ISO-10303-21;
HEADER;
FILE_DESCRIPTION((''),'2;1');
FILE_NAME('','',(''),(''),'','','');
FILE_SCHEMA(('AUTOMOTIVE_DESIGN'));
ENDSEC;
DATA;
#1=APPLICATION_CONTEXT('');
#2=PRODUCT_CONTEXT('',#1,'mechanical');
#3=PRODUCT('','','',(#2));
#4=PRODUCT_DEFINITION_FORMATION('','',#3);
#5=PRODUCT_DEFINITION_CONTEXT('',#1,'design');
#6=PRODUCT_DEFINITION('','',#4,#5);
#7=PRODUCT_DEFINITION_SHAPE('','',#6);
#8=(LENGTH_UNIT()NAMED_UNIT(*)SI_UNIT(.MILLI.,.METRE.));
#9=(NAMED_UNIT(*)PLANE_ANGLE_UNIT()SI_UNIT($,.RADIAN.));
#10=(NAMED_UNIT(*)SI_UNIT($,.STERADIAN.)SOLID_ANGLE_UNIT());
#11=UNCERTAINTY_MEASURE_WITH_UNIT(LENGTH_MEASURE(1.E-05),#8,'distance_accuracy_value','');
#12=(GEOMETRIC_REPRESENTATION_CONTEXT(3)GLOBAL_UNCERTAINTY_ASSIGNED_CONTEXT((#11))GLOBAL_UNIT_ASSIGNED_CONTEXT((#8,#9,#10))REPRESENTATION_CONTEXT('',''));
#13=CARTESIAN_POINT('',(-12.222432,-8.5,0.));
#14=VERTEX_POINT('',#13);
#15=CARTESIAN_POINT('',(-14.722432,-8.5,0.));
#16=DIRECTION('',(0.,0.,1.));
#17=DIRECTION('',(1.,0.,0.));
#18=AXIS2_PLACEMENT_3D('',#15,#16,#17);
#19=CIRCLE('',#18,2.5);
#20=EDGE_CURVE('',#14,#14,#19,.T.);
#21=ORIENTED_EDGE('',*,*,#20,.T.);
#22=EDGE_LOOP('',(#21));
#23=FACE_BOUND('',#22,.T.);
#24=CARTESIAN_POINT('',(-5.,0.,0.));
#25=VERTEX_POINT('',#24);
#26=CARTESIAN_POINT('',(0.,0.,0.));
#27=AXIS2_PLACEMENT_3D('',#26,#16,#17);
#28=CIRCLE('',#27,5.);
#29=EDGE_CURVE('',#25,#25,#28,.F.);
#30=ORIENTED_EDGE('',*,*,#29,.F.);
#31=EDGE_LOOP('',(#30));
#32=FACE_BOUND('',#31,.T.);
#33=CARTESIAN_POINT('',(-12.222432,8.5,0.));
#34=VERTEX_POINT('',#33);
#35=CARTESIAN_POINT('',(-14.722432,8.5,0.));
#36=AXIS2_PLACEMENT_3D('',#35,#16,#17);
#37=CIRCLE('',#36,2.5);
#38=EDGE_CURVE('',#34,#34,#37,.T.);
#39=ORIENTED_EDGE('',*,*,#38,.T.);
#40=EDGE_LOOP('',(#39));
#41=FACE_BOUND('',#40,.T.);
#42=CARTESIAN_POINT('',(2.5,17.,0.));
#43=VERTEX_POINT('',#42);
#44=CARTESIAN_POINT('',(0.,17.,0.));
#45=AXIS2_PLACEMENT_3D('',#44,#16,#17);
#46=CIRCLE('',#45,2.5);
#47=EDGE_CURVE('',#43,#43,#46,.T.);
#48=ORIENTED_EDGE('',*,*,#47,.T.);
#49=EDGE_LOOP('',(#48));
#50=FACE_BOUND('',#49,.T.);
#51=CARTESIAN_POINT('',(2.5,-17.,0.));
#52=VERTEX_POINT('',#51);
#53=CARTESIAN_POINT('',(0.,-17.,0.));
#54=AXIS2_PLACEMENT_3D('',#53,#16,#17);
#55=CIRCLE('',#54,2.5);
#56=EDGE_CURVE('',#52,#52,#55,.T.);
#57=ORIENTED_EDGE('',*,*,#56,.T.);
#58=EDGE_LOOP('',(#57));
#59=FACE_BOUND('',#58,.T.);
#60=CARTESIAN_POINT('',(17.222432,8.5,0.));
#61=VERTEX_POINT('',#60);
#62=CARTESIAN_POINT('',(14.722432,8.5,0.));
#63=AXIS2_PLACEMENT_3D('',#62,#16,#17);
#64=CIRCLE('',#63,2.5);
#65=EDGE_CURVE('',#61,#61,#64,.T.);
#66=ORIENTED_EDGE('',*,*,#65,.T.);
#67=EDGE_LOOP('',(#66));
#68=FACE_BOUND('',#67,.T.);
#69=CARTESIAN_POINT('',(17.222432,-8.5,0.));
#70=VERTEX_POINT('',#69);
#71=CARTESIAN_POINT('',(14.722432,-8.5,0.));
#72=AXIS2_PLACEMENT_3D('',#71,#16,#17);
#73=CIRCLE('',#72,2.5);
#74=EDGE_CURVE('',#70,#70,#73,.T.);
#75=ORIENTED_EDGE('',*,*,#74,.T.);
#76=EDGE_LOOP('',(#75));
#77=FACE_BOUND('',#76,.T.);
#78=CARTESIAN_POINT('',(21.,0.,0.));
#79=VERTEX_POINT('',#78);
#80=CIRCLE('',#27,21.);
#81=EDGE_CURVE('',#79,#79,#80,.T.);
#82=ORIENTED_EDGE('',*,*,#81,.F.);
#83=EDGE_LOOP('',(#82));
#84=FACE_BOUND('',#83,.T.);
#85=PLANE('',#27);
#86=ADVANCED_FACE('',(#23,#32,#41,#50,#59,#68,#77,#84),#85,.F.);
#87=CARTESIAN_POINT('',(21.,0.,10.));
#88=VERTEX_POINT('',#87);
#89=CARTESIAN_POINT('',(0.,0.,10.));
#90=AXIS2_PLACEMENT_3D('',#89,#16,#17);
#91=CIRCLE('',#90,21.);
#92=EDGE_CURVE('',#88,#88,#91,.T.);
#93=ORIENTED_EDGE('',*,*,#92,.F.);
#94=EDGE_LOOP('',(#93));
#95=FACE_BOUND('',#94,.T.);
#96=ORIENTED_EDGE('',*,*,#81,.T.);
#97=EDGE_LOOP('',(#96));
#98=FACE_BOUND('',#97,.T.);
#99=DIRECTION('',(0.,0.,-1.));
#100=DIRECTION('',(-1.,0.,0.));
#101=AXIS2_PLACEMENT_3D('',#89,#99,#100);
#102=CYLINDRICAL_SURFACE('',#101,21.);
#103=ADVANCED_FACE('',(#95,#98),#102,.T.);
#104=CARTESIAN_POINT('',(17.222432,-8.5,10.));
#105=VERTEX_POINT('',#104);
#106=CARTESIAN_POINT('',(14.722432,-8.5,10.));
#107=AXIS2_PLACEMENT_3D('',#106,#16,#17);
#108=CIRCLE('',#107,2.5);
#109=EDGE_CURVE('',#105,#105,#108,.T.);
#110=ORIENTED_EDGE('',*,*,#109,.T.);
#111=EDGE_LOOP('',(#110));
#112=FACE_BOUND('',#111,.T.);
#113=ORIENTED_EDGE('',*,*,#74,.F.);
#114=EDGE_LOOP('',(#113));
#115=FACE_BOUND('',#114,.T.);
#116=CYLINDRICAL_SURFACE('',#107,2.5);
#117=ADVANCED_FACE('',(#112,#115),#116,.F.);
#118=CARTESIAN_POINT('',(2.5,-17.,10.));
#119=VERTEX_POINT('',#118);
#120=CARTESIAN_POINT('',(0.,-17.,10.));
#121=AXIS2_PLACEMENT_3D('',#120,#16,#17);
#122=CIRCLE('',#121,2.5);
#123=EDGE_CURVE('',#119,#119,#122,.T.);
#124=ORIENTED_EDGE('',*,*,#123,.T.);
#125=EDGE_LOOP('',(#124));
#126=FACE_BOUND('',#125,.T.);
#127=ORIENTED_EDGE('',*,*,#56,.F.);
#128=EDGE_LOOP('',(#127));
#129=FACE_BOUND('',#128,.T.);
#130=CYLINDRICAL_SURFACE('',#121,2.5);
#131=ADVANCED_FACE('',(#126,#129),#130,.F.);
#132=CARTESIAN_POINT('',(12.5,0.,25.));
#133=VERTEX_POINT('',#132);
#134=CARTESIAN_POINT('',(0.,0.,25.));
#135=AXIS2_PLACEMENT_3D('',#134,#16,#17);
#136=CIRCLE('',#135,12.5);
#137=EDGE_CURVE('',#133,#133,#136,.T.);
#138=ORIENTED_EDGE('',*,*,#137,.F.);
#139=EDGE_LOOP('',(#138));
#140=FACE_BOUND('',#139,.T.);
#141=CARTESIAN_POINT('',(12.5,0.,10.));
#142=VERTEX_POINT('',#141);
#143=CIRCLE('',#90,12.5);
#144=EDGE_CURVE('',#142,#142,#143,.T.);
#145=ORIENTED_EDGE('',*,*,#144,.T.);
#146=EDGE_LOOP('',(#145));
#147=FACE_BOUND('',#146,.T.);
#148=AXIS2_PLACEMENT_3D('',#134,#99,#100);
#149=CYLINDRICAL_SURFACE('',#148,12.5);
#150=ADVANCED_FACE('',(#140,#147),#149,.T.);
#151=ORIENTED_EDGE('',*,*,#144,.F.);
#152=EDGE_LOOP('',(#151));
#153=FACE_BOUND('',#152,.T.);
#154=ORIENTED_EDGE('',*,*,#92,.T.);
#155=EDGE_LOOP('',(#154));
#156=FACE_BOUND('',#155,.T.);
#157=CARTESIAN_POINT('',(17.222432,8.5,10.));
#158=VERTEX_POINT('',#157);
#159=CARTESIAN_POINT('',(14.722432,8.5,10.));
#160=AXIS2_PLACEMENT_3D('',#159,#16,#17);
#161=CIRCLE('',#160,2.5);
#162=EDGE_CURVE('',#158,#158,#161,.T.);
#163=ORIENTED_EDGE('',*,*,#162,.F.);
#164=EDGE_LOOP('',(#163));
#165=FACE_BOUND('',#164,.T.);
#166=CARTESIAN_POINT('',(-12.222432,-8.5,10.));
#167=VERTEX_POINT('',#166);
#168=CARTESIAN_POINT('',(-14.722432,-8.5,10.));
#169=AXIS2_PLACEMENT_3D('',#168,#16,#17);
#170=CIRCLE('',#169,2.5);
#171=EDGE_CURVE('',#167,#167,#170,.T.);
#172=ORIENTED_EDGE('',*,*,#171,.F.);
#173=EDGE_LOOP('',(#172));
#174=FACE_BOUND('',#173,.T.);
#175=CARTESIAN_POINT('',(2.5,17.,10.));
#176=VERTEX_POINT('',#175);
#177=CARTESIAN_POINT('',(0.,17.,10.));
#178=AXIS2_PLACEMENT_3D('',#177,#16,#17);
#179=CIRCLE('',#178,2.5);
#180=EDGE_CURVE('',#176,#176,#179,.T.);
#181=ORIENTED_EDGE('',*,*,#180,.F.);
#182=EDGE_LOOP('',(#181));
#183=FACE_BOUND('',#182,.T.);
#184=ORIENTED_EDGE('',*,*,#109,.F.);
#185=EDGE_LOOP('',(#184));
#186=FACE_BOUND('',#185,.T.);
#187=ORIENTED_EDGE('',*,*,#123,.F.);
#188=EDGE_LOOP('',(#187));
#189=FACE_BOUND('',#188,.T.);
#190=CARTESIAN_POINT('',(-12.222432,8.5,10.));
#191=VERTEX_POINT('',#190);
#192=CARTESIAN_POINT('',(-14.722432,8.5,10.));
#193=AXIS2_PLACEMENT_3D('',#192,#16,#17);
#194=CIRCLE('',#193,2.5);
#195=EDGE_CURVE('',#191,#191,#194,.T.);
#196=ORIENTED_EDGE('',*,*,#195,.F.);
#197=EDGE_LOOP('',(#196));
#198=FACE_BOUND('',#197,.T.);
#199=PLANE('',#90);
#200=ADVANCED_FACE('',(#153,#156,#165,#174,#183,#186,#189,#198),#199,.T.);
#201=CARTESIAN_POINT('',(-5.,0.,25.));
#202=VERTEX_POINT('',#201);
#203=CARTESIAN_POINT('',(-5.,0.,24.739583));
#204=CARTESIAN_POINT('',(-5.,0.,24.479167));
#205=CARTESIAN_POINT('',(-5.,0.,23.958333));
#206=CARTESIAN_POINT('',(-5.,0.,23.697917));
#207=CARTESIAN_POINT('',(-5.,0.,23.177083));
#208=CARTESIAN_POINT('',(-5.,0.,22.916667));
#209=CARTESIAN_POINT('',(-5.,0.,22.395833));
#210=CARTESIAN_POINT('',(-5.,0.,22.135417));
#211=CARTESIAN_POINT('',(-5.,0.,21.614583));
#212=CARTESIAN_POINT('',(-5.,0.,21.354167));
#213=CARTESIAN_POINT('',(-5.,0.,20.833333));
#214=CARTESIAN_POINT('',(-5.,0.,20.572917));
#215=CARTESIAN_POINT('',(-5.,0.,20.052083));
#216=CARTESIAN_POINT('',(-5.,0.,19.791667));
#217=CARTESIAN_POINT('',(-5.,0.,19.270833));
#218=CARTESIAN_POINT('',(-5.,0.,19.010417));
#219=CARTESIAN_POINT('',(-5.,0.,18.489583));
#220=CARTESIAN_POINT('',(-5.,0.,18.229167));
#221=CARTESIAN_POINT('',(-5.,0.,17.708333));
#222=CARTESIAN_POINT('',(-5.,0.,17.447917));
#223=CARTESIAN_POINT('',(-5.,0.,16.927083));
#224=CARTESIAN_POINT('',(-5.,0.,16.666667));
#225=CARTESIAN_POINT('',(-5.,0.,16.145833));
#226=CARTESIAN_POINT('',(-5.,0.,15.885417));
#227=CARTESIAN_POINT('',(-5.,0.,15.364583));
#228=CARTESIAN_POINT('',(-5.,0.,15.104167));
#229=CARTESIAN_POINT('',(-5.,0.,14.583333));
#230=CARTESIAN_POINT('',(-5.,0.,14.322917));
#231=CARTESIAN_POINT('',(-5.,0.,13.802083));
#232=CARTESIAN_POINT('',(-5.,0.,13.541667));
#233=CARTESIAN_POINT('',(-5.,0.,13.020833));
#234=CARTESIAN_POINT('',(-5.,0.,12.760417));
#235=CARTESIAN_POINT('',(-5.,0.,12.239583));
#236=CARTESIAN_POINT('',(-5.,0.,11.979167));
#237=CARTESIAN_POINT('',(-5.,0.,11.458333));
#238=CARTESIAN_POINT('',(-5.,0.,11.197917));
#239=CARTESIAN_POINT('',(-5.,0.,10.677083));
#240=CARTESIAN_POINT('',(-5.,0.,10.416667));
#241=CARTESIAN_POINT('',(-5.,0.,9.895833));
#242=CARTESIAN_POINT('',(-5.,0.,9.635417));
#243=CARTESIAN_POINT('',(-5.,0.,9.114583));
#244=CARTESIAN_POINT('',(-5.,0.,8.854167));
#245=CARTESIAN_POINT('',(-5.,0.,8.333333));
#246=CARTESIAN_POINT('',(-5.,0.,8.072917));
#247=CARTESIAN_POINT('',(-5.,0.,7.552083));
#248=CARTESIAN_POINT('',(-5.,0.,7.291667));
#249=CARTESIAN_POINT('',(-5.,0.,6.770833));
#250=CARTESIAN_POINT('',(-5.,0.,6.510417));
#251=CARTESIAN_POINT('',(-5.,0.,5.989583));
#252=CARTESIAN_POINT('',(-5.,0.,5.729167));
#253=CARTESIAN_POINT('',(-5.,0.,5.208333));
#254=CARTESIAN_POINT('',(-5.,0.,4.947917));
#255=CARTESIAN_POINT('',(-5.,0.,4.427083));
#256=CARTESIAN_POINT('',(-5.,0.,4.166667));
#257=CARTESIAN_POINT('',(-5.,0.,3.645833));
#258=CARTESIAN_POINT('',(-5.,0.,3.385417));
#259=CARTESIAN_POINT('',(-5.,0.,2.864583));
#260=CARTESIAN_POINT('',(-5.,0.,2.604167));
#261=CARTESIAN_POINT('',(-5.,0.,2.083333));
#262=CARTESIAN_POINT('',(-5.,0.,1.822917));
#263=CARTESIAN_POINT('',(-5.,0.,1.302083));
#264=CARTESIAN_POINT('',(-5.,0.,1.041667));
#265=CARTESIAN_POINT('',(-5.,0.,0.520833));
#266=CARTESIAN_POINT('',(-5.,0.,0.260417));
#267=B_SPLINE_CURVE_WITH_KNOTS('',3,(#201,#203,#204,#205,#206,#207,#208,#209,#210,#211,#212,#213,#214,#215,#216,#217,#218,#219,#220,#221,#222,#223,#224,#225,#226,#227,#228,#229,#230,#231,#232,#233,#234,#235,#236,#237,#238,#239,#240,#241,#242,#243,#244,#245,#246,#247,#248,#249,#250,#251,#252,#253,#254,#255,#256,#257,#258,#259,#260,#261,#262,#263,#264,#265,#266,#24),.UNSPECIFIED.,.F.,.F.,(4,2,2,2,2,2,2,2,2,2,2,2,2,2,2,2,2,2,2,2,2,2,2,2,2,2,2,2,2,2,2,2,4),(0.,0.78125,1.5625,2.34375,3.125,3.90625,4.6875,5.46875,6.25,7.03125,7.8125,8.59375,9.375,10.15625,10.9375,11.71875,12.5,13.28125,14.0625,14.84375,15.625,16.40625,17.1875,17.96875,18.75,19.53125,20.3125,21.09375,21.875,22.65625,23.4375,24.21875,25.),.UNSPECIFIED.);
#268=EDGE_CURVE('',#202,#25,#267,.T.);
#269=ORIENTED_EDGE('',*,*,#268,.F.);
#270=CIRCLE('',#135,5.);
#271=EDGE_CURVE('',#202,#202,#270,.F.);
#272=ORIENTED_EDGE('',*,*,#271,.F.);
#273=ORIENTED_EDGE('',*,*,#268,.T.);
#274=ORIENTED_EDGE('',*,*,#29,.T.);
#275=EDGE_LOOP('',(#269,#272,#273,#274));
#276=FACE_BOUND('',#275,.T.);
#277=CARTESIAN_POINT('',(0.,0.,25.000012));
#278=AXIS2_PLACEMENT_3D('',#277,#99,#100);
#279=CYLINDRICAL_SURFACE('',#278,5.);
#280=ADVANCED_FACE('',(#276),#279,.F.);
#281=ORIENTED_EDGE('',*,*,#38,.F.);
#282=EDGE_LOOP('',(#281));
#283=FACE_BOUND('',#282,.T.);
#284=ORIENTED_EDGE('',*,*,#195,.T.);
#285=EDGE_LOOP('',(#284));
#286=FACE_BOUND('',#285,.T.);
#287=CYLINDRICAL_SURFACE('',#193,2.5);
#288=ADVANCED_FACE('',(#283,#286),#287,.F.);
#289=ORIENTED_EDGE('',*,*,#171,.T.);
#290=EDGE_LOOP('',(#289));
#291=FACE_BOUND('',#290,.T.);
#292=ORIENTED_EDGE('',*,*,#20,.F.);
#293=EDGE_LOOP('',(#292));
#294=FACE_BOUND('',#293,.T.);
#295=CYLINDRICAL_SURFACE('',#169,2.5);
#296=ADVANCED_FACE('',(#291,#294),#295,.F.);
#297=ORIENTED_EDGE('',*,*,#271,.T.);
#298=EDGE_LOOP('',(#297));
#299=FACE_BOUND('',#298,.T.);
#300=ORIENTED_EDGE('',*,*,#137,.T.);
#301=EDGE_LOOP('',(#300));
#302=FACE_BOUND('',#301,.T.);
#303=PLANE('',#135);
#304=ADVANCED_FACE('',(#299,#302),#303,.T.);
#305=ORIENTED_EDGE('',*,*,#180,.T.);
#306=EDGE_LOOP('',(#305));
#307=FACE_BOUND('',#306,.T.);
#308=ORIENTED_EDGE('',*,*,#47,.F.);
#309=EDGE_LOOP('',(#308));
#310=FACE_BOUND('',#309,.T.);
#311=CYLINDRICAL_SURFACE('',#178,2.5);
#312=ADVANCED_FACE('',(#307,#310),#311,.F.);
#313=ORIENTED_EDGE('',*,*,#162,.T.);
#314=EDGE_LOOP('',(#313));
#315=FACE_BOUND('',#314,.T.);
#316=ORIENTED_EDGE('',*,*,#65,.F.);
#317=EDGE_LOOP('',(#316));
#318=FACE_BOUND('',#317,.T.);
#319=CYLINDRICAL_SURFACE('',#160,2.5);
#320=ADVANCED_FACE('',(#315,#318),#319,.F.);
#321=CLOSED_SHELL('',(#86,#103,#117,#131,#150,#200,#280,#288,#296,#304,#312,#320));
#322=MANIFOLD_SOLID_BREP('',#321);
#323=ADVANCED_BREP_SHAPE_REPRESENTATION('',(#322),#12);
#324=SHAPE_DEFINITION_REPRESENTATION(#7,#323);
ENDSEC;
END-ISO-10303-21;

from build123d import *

# Parameters (mm, degrees)
SZKIC1_R                               = 21
DODANIE_WYCI_GNI_CIE1_DEPTH            = 10
SZKIC2_R                               = 12.5
DODANIE_WYCI_GNI_CIE2_DEPTH            = 15
OTWORY_USTALAJ_CE_5_0MM1_D             = 5
SZYK_KO_OWY1_COUNT                     = 6
WYTNIJ_WYCI_GNI_CIE1_REACH             = 40.82
SZKIC8_R                               = 5
WYTNIJ_WYCI_GNI_CIE1_DIRECTION_2_DEPTH = 39.820097888


with BuildPart() as part:
    # Szkic1 → Dodanie-wyciągnięcie1 (new body)
    with BuildSketch(Plane.XY):
        Circle(SZKIC1_R)
    extrude(amount=DODANIE_WYCI_GNI_CIE1_DEPTH)

    # Szkic2 → Dodanie-wyciągnięcie2 (add)
    with BuildSketch(Plane.XY.offset(10)):
        Circle(SZKIC2_R)
    extrude(amount=DODANIE_WYCI_GNI_CIE2_DEPTH)

    # Otwory ustalające Ø5.0mm1 (through all)
    with Locations(Plane.XY.offset(10)):
        with Locations((0, 17)):
            otwory_ustalaj_ce_5_0mm1 = Hole(OTWORY_USTALAJ_CE_5_0MM1_D / 2)

    # Szyk kołowy1: Otwory ustalające Ø5.0mm1 ×6 about axis
    szyk_ko_owy1_axis = Axis((0, 0, 0), (0, 0, 1))
    for i in range(1, SZYK_KO_OWY1_COUNT):
        add(otwory_ustalaj_ce_5_0mm1.rotate(szyk_ko_owy1_axis, i * 360 / SZYK_KO_OWY1_COUNT), mode=Mode.SUBTRACT)

    # Szkic8 → Wytnij-wyciągnięcie1 (cut, up to next)
    with BuildSketch(Plane.XY.offset(25), mode=Mode.PRIVATE) as wytnij_wyci_gni_cie1_sk1:
        with Locations(Location((0, 0, 0), (0, 0, 180))):
            Circle(SZKIC8_R)
    wytnij_wyci_gni_cie1_tool1 = extrude(wytnij_wyci_gni_cie1_sk1.sketch, amount=-WYTNIJ_WYCI_GNI_CIE1_REACH, mode=Mode.PRIVATE) & part.part
    add(wytnij_wyci_gni_cie1_tool1.solids().sort_by_distance((0, 0, 25))[0], mode=Mode.SUBTRACT)

    # Szkic8 → Wytnij-wyciągnięcie1 direction 2 (cut)
    with BuildSketch(Plane.XY.offset(25)):
        with Locations(Location((0, 0, 0), (0, 0, 180))):
            Circle(SZKIC8_R)
    extrude(amount=WYTNIJ_WYCI_GNI_CIE1_DIRECTION_2_DEPTH, mode=Mode.SUBTRACT)


solid = part.part
